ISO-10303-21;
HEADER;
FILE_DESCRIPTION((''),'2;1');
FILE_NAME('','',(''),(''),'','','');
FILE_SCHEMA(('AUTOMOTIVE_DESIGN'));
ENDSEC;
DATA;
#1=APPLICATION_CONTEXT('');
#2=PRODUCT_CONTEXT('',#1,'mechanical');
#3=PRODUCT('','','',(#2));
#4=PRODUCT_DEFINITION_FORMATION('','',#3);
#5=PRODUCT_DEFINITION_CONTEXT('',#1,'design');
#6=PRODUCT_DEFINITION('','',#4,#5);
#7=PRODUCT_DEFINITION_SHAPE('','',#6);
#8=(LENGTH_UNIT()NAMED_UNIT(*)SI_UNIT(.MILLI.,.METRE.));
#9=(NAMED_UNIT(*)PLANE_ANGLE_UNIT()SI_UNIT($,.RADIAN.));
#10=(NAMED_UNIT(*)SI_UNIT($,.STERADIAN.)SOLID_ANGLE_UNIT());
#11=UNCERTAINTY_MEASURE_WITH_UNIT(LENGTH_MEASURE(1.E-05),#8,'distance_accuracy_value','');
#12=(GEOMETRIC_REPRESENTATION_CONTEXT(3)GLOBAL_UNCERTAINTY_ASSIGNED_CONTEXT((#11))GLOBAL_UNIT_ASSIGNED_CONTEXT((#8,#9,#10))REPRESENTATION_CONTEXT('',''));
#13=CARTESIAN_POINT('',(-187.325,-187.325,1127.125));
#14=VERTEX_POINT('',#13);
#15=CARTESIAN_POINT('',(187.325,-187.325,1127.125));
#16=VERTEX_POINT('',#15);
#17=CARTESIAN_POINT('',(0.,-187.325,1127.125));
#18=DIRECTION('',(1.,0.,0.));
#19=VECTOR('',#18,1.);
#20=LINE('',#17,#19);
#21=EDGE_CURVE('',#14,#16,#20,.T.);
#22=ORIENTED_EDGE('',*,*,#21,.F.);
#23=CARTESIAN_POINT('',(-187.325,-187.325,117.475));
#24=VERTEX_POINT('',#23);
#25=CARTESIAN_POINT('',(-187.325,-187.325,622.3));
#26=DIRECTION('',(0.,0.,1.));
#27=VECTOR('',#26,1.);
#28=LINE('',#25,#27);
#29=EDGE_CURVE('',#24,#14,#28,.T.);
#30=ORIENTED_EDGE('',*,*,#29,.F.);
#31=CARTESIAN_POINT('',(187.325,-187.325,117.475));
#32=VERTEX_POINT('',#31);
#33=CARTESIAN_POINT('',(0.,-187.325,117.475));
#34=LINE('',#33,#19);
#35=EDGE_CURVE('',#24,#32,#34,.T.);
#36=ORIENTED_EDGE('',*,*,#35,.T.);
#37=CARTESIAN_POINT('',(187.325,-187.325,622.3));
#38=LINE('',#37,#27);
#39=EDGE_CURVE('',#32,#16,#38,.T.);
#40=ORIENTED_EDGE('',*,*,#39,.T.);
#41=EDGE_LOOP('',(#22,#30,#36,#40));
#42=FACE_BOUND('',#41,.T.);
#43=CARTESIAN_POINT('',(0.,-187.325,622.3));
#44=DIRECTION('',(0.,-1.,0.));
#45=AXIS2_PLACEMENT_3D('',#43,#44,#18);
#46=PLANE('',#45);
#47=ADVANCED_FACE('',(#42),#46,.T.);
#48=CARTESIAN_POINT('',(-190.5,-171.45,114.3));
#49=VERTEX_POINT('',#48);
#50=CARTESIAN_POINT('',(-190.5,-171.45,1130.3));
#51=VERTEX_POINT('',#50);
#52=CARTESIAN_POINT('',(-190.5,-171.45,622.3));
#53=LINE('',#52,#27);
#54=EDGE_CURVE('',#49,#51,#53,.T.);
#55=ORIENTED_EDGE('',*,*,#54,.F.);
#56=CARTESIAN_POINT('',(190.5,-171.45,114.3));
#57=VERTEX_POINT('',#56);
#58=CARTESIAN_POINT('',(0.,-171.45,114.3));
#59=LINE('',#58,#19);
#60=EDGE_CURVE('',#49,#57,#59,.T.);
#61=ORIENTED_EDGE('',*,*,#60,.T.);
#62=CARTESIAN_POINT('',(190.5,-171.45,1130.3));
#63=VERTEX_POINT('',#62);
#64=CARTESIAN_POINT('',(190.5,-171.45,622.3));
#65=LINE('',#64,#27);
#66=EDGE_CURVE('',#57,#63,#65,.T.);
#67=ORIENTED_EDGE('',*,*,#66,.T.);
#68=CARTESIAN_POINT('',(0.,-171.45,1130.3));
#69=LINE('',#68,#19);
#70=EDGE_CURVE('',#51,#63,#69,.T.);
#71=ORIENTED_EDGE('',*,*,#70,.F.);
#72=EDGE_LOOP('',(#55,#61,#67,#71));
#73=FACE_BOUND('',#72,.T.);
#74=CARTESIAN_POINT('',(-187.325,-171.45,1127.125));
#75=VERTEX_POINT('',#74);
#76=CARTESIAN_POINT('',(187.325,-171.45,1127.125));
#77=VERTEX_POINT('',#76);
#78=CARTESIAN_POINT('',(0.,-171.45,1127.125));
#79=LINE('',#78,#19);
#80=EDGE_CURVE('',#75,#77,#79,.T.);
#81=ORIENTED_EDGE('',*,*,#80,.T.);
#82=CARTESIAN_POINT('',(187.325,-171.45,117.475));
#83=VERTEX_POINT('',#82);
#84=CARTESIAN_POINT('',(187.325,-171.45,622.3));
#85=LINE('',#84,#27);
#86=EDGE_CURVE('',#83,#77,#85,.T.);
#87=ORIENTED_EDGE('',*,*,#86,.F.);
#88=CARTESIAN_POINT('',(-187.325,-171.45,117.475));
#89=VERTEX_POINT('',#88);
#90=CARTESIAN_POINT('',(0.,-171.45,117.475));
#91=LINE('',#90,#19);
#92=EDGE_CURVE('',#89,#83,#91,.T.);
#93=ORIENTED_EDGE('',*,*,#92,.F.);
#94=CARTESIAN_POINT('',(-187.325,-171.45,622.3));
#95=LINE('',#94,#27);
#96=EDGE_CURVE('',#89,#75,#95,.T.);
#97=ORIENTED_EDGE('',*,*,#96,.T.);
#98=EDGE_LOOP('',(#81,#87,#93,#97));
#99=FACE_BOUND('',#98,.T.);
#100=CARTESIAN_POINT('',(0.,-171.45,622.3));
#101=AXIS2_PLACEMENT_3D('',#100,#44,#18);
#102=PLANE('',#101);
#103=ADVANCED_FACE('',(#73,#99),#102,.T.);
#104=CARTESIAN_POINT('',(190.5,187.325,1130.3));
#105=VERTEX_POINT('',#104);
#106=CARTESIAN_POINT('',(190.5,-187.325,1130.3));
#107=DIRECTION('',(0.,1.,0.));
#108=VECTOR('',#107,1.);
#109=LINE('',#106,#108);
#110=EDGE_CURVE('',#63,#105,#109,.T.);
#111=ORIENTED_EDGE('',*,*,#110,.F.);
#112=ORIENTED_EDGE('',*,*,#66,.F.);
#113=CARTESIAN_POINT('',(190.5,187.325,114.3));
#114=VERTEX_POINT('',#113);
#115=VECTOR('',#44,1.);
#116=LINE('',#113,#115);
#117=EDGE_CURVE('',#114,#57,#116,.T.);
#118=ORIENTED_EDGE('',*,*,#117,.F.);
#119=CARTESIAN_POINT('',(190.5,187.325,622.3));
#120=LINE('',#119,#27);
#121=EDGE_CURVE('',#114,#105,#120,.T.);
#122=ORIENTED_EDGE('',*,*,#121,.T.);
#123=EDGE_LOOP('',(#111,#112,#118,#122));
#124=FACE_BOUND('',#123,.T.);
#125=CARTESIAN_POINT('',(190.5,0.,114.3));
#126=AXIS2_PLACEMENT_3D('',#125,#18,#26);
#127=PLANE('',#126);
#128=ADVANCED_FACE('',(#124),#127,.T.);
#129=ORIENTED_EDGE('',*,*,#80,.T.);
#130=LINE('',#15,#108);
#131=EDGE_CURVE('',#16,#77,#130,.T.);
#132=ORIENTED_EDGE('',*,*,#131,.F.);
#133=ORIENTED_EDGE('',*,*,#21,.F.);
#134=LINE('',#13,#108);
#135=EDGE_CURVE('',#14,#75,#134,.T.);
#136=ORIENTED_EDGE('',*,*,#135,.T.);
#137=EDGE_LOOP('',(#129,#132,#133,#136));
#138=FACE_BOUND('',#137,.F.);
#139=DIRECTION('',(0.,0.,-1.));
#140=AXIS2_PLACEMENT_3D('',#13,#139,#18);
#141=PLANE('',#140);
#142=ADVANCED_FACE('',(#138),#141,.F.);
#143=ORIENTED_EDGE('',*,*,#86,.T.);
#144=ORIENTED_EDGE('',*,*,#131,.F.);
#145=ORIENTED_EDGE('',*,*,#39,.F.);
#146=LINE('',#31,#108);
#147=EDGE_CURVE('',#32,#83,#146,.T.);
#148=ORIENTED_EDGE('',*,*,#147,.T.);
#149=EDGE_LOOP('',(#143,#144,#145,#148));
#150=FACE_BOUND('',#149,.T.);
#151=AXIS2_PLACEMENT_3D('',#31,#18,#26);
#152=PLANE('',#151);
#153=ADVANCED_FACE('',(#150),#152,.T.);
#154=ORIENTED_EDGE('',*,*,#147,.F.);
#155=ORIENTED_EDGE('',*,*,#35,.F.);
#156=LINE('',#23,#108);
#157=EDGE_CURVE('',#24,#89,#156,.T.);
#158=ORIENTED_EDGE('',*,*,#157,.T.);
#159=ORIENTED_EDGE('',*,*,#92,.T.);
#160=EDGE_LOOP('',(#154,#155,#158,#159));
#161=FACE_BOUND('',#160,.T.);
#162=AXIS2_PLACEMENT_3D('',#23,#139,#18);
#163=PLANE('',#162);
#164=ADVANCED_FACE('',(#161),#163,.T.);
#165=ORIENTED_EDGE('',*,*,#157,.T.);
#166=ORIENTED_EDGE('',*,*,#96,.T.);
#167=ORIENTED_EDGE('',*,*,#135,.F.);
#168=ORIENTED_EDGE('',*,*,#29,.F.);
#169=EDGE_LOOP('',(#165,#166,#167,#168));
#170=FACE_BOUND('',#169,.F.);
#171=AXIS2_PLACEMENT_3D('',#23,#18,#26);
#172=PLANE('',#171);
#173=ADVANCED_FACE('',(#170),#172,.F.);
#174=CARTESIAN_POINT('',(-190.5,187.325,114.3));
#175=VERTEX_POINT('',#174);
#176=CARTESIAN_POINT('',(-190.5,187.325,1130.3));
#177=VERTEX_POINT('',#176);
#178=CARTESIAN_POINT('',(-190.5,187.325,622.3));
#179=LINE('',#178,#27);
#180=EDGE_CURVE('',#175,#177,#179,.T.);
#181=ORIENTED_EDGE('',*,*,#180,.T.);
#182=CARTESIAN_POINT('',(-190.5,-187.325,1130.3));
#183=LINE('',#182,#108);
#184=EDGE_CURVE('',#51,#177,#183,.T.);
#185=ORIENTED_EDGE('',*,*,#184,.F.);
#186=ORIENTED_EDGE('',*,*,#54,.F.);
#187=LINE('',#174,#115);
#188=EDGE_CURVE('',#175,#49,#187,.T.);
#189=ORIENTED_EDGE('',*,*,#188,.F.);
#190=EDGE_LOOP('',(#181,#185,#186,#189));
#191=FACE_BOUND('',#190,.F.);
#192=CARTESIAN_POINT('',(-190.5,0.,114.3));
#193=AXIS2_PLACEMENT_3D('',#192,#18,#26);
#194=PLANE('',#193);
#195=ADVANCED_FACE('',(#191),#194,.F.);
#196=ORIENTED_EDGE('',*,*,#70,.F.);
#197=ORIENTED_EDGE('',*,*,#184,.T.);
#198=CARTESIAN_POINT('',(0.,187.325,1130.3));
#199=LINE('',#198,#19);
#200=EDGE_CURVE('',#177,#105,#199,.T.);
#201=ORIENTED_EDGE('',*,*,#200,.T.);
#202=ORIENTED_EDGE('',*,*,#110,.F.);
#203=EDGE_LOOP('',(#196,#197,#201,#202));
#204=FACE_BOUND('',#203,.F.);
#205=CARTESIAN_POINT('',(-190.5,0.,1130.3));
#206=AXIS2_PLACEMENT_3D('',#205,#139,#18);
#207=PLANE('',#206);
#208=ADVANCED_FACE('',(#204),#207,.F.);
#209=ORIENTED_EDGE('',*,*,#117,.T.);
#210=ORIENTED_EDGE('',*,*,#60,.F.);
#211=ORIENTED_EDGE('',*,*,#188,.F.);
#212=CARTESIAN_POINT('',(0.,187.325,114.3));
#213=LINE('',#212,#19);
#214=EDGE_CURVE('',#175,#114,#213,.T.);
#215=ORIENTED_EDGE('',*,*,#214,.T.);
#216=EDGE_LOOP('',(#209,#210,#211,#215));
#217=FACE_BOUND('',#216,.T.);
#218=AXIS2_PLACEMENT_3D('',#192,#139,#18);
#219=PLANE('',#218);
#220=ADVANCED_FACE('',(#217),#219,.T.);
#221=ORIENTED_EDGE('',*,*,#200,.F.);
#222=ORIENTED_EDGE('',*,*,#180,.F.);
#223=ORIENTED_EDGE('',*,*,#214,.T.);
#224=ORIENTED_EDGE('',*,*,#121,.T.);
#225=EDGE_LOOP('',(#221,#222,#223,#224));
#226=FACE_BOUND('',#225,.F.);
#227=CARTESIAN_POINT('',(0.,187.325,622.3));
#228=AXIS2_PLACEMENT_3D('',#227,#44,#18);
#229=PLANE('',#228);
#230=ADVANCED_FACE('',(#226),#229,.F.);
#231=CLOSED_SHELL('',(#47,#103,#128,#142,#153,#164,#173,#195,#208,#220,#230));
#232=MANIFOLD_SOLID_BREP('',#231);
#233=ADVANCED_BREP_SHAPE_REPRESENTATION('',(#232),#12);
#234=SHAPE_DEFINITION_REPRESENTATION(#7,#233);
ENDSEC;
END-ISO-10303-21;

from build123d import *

# Parameters (mm, degrees)
F0_W     = 381
F0_H     = 1016
F1_DEPTH = 187.325
F2_W     = 381
F2_H     = 1016
F2_W_2   = 374.65
F2_H_2   = 1009.65
F3_DEPTH = 15.875


with BuildPart() as f1:
    # F0 (on Front) → F1 (new body, symmetric)
    with BuildSketch(Plane.XZ):
        with Locations((0, 622.3)):
            Rectangle(F0_W, F0_H)
    extrude(amount=F1_DEPTH, both=True)

    # F2 (on face) → F3 (cut)
    with BuildSketch(Plane.XZ.offset(187.325)):
        with Locations((0, 622.3)):
            Rectangle(F2_W, F2_H)
        with Locations((0, 622.3)):
            Rectangle(F2_W_2, F2_H_2, mode=Mode.SUBTRACT)
    extrude(amount=-F3_DEPTH, mode=Mode.SUBTRACT)


solid = f1.part
